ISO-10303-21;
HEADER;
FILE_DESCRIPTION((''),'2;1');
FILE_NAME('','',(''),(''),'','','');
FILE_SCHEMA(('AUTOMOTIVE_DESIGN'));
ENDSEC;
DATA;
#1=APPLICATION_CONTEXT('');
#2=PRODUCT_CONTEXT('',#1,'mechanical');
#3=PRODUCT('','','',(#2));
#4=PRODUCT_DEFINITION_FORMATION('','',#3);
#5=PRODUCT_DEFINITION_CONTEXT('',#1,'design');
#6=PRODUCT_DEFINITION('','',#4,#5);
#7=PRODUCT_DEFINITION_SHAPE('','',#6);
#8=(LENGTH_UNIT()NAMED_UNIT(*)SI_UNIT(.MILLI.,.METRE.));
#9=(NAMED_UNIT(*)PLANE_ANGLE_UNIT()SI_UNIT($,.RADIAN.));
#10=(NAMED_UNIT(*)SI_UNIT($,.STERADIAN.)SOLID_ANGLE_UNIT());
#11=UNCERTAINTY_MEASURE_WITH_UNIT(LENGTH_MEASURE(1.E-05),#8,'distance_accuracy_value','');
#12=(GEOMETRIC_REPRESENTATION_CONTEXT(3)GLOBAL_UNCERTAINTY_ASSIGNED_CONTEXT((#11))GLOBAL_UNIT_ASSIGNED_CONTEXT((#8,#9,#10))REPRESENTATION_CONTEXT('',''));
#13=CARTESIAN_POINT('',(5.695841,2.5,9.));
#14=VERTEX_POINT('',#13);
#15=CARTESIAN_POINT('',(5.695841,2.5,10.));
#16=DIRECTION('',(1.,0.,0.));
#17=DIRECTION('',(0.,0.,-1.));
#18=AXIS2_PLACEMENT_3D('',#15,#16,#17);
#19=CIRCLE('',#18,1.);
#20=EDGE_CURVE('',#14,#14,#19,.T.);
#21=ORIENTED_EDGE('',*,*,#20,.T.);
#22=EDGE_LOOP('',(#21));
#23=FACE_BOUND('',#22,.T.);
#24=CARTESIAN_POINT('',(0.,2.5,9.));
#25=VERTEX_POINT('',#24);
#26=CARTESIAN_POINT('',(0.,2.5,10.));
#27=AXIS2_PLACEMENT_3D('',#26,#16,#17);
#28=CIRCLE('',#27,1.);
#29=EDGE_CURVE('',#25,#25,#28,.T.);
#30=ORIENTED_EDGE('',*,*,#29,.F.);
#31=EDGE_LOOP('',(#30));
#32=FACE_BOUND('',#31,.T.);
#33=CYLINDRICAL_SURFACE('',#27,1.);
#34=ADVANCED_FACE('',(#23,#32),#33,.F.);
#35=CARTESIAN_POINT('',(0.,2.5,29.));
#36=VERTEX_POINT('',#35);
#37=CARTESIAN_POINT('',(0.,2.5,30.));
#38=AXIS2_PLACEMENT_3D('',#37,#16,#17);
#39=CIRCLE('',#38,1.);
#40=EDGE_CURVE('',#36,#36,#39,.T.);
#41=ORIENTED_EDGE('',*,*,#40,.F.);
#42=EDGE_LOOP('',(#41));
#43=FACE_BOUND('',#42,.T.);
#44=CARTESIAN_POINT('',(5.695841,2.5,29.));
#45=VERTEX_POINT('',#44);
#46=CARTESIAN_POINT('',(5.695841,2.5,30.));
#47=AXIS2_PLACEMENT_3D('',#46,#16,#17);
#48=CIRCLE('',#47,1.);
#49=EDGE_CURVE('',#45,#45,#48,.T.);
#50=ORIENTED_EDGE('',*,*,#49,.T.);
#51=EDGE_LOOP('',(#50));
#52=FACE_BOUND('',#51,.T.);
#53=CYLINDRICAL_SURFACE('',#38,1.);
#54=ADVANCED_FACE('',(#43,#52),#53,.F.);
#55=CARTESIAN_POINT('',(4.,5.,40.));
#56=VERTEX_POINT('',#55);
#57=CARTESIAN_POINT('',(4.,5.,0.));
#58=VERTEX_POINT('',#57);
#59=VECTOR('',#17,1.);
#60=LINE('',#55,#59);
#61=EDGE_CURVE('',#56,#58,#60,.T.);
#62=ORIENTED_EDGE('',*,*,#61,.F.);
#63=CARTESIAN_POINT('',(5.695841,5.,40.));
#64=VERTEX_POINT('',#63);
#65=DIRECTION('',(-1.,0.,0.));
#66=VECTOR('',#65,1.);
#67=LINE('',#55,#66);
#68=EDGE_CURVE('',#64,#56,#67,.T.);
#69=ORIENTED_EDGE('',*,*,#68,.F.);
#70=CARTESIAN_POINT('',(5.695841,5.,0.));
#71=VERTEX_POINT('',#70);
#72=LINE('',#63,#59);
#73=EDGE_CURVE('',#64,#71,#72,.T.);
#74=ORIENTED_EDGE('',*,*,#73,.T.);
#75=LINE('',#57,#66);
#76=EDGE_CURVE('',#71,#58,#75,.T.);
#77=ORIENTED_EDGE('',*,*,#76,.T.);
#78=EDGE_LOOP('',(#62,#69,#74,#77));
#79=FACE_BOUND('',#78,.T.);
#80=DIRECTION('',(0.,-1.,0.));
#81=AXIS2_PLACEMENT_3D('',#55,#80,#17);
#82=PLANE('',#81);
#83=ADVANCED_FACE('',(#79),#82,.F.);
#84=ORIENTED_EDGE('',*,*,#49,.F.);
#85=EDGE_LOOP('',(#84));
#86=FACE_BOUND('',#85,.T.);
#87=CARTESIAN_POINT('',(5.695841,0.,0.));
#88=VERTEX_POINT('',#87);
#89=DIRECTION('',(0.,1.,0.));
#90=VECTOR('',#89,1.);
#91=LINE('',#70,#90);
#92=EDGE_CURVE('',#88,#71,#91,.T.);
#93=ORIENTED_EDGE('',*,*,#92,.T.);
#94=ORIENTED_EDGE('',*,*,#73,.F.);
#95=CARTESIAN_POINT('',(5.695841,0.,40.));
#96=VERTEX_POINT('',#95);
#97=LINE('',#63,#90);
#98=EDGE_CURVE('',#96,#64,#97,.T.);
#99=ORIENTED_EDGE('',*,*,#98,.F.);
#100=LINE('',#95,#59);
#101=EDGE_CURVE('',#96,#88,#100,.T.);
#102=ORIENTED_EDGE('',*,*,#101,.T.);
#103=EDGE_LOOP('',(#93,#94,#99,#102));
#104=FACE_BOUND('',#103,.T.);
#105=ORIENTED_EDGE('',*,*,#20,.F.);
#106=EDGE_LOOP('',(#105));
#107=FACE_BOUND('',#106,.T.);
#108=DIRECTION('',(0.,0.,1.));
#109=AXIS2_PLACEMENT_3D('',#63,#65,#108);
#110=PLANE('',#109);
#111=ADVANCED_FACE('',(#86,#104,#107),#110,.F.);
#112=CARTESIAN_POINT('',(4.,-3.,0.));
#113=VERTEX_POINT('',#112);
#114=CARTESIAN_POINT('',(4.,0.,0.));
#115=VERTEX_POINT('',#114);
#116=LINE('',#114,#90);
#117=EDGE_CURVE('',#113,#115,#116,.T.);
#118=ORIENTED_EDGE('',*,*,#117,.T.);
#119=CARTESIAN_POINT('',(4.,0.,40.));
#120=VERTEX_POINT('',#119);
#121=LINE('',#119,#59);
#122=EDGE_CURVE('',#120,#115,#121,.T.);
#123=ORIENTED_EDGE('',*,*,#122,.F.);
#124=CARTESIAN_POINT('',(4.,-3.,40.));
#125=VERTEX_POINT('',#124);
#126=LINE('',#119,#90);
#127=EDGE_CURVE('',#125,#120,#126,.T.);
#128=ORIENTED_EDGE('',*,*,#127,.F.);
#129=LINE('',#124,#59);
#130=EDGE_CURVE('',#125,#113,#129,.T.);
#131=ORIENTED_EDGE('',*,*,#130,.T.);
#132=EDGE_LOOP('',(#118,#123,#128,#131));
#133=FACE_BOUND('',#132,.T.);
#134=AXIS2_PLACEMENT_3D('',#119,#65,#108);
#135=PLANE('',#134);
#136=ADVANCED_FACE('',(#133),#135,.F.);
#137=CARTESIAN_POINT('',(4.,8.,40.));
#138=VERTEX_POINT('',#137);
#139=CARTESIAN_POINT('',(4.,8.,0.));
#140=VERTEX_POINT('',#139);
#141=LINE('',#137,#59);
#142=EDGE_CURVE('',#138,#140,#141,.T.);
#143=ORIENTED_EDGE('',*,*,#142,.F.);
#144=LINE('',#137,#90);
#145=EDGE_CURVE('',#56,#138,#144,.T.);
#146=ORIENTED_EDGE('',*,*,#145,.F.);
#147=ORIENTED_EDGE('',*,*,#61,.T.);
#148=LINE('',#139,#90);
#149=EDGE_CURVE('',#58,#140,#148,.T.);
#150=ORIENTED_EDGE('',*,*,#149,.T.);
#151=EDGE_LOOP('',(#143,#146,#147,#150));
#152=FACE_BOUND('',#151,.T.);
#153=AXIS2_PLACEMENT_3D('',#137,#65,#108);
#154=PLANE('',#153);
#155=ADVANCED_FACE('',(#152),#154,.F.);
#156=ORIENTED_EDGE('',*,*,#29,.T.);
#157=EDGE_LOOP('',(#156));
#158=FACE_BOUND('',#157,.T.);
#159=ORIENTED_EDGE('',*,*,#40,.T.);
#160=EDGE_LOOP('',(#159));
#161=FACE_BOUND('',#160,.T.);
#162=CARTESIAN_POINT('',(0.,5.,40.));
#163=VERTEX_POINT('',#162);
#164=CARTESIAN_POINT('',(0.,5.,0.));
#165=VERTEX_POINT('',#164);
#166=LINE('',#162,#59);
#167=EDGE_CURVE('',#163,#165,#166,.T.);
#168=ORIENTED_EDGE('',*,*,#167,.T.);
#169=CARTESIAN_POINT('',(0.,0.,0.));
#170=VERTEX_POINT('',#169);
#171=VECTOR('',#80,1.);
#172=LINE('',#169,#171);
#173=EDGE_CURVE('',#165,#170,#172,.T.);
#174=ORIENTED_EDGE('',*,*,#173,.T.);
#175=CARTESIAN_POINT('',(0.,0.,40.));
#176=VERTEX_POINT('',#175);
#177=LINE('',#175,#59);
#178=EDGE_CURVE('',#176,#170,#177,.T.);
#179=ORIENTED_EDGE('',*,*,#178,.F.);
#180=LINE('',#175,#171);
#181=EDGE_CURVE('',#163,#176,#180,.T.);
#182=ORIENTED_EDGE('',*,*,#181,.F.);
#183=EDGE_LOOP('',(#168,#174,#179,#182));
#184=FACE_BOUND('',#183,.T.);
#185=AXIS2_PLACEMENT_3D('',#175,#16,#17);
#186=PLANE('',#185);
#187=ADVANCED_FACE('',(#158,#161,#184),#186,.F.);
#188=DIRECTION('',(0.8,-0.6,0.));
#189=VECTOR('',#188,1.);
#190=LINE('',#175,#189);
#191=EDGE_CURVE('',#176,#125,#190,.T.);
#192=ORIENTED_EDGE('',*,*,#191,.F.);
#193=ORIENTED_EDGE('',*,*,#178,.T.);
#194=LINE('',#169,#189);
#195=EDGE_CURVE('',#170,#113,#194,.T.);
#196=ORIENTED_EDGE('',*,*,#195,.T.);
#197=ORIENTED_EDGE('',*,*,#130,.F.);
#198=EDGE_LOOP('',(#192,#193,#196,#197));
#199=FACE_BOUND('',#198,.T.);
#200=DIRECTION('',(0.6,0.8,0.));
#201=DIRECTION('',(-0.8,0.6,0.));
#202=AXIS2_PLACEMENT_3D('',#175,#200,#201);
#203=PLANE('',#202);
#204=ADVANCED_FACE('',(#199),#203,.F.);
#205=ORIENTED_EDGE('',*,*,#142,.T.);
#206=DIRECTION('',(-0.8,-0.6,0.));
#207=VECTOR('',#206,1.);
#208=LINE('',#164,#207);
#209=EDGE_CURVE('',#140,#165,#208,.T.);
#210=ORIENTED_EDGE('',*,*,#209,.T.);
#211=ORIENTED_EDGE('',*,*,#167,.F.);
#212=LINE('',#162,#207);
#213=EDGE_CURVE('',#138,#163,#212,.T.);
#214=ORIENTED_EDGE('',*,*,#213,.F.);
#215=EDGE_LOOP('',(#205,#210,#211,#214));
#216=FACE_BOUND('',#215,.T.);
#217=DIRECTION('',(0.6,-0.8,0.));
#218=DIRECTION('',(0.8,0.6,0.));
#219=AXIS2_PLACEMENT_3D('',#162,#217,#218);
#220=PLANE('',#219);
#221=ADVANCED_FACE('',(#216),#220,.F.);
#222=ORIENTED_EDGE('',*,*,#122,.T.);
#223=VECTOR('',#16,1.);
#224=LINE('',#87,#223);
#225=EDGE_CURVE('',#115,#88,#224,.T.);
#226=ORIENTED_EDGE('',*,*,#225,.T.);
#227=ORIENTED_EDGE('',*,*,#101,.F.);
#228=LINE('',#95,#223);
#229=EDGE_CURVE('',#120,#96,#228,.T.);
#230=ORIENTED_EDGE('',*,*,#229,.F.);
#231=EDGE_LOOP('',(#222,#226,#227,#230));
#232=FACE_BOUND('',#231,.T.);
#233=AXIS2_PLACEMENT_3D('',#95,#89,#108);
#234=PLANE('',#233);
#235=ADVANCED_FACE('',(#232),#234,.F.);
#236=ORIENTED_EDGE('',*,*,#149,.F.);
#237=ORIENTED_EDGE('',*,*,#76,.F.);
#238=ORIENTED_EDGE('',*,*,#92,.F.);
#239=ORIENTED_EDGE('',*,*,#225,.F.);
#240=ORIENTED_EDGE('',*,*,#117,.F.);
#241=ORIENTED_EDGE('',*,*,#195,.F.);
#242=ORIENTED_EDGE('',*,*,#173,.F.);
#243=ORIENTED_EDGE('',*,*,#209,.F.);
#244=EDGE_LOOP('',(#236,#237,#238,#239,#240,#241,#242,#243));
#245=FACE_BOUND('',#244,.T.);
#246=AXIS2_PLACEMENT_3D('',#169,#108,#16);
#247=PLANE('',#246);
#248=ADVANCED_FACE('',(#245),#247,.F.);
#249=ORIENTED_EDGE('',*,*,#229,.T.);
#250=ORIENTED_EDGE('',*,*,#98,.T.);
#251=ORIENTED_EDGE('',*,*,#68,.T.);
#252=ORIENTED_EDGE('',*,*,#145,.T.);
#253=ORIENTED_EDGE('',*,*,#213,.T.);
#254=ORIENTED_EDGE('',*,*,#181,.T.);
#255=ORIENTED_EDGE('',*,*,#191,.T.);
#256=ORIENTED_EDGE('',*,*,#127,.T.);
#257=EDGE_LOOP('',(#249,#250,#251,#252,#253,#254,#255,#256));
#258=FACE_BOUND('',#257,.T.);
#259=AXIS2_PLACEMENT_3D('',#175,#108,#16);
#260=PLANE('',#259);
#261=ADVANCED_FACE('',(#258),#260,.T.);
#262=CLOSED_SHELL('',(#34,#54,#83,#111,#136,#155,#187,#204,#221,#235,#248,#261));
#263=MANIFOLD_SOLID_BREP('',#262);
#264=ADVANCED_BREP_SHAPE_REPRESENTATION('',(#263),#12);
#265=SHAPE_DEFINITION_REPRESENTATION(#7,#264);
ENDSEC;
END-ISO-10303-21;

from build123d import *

# Parameters (mm, degrees)
BOSS_EXTRU_1_DEPTH         = 40
ESQUISSE1_R                = 1
ENL_V_MAT_EXTRU_1_DEPTH    = 6.695841166
R_P_TITION_LIN_AIRE2_COUNT = 2
R_P_TITION_LIN_AIRE2_PITCH = 20


with BuildPart() as part:
    # ProfileRainureEsquisse → Boss.-Extru.1 (new body)
    with BuildSketch(Plane.XY):
        Polygon((0, 0), (0, 5), (4, 8), (4, 5), (5.695841166, 5), (5.695841166, 0), (4, 0), (4, -3), align=None)
    extrude(amount=BOSS_EXTRU_1_DEPTH)

    # Esquisse1 → Enlèv. mat.-Extru.1 (cut, through all)
    with BuildSketch(Plane(origin=(5.695841166, 0, 0), x_dir=(0, 0, -1), z_dir=(1, 0, 0))):
        with Locations((-30, 2.5)):
            Circle(ESQUISSE1_R)
    enl_v_mat_extru_1 = extrude(amount=-ENL_V_MAT_EXTRU_1_DEPTH, mode=Mode.SUBTRACT)

    # Répétition linéaire2: Enlèv. mat.-Extru.1 ×2
    with Locations(*[(0, 0, -i * R_P_TITION_LIN_AIRE2_PITCH) for i in range(1, R_P_TITION_LIN_AIRE2_COUNT)]):
        add(enl_v_mat_extru_1, mode=Mode.SUBTRACT)


solid = part.part
